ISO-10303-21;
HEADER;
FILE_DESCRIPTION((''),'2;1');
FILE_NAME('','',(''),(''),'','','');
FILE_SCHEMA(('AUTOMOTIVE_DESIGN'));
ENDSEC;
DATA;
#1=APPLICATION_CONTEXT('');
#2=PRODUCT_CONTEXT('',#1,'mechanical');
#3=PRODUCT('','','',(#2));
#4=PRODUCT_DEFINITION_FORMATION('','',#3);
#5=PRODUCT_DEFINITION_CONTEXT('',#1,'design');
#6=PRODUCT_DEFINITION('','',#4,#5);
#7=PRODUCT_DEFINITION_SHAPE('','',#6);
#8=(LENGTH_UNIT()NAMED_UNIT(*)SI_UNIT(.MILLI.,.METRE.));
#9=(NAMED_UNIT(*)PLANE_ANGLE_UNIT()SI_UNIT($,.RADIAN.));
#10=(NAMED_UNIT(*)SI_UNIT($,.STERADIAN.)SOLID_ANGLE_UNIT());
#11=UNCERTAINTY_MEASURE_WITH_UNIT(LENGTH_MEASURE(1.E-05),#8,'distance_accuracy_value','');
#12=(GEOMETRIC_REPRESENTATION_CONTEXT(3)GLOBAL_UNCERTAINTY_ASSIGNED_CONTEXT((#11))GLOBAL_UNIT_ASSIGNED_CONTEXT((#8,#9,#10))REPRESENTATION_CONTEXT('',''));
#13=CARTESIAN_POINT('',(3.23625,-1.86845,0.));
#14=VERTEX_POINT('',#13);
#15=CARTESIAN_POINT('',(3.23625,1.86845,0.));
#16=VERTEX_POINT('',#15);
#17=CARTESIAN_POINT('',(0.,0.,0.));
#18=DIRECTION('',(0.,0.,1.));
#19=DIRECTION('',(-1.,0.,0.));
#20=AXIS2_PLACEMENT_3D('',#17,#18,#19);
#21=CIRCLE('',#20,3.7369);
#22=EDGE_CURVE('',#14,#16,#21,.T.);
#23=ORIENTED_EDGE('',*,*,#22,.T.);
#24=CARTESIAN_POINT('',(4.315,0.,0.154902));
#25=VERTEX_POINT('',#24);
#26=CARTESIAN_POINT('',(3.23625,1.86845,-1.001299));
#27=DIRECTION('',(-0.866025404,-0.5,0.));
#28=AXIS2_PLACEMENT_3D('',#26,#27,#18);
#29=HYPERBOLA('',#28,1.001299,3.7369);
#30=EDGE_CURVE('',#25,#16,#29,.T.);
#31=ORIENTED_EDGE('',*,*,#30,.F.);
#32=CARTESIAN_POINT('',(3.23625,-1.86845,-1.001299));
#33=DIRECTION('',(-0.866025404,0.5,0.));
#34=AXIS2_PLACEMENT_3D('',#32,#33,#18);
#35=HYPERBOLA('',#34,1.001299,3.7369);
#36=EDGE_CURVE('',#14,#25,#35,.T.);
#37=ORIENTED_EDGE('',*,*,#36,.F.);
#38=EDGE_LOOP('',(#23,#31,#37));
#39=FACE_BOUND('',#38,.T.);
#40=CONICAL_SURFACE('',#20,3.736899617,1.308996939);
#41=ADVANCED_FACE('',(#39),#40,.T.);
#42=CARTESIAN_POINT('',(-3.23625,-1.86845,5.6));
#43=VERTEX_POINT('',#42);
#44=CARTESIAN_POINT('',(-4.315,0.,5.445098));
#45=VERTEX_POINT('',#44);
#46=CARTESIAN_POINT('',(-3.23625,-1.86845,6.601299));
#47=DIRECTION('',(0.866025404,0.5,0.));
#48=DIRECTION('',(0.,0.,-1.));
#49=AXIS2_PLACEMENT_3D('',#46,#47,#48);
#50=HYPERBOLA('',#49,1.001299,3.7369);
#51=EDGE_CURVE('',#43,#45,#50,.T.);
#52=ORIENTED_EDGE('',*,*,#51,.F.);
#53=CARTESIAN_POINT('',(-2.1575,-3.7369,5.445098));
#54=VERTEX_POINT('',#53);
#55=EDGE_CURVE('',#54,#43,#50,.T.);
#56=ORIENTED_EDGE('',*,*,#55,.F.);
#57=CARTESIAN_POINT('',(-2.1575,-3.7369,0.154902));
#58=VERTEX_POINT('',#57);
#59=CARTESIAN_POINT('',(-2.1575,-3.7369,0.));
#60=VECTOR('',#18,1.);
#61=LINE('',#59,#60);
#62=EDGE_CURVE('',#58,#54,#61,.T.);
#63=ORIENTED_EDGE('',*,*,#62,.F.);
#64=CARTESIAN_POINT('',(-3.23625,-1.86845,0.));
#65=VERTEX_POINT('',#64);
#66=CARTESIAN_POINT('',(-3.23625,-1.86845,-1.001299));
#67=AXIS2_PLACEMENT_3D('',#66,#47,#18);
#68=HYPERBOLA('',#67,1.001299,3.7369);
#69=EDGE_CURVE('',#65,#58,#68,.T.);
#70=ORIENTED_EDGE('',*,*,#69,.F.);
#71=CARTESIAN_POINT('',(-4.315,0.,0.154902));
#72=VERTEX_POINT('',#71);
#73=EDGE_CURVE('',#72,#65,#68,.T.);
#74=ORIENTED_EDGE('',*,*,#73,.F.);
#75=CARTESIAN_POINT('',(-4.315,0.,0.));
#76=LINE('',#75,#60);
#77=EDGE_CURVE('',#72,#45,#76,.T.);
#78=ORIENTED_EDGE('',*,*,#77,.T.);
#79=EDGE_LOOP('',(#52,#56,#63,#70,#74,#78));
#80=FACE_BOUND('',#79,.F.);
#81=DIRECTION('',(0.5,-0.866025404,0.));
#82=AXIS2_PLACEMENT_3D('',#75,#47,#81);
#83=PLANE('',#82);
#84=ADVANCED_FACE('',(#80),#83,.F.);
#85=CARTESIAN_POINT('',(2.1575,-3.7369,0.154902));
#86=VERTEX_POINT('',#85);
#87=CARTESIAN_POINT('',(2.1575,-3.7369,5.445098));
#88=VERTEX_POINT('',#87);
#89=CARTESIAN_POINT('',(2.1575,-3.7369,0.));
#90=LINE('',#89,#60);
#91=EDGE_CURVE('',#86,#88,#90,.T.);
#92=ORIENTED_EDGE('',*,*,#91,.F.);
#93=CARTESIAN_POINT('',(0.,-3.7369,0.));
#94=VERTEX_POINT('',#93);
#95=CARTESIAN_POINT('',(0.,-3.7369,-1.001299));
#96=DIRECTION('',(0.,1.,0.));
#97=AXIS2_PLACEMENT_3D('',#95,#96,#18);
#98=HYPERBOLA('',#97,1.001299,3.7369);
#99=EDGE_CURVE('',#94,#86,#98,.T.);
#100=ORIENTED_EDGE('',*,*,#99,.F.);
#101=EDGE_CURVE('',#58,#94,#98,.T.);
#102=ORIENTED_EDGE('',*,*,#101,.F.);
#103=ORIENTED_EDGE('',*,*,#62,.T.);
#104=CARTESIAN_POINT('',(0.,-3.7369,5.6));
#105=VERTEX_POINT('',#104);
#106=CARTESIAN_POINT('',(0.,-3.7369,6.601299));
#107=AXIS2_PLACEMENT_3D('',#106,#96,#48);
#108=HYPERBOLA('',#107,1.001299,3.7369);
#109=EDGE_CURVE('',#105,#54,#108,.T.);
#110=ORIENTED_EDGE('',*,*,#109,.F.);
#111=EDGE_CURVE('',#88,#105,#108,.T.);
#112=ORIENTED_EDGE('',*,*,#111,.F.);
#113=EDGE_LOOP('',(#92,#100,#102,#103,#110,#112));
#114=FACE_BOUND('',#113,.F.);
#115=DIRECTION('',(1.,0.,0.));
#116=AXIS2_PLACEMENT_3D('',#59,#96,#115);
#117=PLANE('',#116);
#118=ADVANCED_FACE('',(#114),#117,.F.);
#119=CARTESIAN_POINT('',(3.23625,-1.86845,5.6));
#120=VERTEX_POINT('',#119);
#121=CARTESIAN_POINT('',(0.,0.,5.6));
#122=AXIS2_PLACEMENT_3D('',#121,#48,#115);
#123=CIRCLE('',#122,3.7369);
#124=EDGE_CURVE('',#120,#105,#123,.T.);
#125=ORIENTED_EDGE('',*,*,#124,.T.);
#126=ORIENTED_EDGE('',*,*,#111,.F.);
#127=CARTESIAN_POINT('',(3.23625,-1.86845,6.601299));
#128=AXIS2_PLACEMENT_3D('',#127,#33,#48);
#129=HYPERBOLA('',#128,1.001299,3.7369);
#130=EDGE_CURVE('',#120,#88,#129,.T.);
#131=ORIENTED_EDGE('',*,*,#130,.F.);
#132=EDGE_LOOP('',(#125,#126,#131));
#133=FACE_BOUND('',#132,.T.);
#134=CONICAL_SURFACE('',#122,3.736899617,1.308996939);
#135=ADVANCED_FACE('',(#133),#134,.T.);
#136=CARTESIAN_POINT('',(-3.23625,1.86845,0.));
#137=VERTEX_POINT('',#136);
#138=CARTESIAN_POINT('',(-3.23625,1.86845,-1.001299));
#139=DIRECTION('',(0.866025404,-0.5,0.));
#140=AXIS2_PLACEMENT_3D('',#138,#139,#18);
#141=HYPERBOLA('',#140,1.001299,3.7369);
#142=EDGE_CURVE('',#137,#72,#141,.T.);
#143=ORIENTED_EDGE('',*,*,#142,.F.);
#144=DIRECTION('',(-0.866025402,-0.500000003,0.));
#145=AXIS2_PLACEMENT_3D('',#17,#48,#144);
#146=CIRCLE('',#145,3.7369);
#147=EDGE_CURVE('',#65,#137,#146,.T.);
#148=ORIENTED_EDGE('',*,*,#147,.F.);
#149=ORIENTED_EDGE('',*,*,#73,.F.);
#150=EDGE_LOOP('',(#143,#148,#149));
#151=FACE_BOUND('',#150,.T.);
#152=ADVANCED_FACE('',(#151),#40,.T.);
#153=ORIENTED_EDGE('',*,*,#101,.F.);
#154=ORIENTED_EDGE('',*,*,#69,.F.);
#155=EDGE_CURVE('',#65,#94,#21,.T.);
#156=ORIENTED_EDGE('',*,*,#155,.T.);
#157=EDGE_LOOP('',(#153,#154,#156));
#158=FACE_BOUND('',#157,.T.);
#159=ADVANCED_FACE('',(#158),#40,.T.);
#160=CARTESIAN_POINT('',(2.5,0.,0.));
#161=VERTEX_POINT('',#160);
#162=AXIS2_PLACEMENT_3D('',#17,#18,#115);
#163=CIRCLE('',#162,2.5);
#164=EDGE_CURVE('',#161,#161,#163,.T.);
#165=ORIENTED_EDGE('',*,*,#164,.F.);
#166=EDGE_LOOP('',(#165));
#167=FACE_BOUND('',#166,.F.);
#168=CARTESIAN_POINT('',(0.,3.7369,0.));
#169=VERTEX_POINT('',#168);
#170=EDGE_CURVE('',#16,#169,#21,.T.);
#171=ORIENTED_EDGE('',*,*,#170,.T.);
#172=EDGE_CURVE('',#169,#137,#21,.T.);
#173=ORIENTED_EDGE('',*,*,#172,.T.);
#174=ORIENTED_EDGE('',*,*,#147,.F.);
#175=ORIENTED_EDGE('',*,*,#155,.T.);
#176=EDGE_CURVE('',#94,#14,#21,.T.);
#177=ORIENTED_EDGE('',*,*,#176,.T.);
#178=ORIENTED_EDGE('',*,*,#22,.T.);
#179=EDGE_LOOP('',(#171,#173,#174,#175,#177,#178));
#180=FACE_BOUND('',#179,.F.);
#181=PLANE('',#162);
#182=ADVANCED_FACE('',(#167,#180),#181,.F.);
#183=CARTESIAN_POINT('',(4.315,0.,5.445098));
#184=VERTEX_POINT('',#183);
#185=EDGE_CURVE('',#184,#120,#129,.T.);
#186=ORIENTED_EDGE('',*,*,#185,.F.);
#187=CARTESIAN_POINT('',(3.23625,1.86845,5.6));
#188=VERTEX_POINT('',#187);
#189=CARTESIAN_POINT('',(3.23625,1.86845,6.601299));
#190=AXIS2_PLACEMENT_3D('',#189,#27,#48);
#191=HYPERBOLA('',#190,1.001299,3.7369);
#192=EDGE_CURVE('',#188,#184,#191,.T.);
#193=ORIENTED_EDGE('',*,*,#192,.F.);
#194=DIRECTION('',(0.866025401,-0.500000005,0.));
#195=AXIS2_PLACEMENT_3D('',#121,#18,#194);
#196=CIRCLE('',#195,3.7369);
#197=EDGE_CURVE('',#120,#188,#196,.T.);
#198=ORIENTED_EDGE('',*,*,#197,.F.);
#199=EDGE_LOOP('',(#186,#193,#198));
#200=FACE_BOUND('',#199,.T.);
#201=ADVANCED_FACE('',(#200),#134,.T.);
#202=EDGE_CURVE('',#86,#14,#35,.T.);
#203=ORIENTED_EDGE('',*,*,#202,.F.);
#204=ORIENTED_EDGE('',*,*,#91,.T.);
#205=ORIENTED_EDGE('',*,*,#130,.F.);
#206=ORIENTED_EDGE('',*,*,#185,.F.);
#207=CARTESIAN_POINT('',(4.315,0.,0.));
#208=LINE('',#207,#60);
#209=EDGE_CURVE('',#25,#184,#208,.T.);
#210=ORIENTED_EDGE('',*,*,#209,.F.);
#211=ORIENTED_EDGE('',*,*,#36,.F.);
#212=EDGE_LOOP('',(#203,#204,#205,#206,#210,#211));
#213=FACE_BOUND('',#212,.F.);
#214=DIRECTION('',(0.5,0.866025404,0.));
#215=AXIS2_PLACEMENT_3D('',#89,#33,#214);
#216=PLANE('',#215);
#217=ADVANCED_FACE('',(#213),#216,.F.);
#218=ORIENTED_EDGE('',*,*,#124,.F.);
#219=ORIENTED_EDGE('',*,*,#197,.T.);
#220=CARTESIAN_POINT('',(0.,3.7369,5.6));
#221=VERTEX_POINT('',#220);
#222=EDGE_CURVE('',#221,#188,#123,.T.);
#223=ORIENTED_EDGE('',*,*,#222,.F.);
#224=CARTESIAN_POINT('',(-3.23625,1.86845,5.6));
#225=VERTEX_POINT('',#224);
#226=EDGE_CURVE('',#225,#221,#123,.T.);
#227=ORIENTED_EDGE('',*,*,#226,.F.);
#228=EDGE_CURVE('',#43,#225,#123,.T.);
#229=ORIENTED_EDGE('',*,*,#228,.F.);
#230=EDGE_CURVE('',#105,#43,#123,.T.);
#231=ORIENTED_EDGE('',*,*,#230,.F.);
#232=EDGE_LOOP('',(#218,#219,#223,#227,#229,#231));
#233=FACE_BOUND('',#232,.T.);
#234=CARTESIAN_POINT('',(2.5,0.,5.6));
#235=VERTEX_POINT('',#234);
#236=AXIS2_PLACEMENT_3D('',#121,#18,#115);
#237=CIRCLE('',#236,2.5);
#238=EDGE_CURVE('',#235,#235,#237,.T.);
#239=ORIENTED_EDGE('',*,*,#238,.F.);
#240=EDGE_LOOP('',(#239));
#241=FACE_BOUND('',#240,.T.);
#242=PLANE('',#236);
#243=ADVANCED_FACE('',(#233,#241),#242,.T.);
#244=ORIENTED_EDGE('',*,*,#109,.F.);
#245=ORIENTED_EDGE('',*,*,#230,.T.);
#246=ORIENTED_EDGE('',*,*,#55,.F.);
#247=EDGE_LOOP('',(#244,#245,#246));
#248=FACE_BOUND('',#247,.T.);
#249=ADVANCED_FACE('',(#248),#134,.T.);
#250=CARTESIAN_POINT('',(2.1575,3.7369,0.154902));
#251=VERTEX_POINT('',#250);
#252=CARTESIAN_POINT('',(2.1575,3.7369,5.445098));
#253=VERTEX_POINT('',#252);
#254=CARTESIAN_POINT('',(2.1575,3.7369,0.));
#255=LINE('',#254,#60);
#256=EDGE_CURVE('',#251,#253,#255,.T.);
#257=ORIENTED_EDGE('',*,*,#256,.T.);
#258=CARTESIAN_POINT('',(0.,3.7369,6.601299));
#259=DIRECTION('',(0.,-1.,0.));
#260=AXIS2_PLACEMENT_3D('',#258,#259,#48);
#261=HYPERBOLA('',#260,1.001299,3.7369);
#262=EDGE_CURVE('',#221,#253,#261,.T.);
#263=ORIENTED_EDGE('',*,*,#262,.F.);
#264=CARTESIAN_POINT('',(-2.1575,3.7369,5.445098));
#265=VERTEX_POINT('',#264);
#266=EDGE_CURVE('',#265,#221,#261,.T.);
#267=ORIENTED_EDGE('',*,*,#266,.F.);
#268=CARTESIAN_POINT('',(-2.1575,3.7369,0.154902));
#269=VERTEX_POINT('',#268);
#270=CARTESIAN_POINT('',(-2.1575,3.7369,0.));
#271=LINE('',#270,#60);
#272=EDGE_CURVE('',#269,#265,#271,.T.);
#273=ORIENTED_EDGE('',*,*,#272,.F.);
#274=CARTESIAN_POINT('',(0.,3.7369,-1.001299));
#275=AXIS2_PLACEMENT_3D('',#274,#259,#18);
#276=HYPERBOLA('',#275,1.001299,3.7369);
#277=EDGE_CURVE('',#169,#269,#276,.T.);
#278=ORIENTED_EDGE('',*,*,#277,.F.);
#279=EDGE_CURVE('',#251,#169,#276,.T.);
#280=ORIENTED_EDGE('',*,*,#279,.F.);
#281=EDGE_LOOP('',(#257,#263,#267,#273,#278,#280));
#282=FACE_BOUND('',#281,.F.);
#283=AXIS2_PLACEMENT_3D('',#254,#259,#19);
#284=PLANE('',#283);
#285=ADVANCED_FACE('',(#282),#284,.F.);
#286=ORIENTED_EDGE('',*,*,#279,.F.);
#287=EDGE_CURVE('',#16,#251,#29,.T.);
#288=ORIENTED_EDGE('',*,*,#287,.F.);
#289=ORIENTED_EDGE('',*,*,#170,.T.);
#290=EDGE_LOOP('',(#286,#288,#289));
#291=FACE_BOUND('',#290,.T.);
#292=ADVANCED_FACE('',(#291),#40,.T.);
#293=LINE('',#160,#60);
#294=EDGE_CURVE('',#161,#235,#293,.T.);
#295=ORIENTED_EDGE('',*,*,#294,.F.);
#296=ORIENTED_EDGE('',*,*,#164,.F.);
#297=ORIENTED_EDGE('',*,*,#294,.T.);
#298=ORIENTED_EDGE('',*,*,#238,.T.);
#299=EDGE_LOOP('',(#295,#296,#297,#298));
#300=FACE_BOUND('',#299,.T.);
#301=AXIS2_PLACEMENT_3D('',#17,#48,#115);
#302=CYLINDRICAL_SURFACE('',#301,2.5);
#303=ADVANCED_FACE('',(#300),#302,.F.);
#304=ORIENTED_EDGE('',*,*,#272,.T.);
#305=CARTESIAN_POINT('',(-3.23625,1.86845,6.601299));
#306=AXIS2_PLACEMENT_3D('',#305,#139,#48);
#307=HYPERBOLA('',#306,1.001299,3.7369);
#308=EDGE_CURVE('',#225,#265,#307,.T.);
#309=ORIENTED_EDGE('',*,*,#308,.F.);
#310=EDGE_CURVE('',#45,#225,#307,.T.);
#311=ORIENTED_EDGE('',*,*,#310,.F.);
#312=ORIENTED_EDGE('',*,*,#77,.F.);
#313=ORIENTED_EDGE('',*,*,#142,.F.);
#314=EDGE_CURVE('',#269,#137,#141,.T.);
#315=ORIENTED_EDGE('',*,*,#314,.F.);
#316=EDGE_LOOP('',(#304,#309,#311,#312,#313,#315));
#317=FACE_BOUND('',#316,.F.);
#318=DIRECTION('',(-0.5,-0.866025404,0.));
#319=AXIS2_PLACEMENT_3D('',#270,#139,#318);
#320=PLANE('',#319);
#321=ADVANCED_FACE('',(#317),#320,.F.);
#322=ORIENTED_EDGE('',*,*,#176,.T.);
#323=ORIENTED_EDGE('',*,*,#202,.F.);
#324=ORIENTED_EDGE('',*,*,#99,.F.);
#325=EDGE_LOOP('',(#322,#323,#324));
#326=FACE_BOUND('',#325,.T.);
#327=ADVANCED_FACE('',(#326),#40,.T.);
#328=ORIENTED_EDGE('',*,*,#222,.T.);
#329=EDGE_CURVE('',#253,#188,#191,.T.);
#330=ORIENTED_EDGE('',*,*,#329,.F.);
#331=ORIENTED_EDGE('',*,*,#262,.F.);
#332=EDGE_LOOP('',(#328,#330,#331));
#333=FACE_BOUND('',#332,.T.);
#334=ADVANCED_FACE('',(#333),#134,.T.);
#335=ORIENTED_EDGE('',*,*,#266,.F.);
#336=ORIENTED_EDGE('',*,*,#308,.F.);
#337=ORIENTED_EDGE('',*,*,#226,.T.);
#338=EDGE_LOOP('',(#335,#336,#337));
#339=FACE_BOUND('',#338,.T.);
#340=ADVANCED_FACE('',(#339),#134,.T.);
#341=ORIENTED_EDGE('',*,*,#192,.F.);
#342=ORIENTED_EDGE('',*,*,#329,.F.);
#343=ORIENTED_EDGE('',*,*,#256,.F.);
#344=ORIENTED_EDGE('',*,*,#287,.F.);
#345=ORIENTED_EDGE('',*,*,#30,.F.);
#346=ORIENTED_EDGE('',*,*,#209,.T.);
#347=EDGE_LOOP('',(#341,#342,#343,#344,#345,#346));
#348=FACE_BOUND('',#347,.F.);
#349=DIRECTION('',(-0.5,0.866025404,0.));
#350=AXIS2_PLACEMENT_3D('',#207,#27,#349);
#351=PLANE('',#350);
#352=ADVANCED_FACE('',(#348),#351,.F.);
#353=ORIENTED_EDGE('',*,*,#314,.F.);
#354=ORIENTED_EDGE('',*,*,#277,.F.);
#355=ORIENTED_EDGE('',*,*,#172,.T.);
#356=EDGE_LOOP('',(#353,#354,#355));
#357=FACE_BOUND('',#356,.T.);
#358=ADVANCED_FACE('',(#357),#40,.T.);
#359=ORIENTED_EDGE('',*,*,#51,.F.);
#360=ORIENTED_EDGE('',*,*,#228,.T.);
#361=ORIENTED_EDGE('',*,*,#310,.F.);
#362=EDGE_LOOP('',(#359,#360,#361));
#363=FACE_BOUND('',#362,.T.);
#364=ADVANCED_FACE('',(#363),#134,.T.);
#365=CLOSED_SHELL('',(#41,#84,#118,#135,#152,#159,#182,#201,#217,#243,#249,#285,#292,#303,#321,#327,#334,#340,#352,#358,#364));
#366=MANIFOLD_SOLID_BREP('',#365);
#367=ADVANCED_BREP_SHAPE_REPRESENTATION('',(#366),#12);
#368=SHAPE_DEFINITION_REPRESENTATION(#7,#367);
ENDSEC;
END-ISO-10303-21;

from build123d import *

# Parameters (mm, degrees)
SKETCH_1_R          = 2.5
EXTRUDE_587_DEPTH   = 5.6
SKETCH_2_OUTSIDE_W  = 296.81
SKETCH_2_OUTSIDE_H  = 295.654
SKETCH_2_OUTSIDE_R  = 3.736899617
CUT_EXTRUDE_1_DEPTH = 38
CUT_EXTRUDE_1_TAPER = 75
SKETCH_3_OUTSIDE_W  = 296.81
SKETCH_3_OUTSIDE_H  = 295.654
SKETCH_3_OUTSIDE_R  = 3.736899617
CUT_EXTRUDE_2_DEPTH = 38
CUT_EXTRUDE_2_TAPER = 75


with BuildPart() as part:
    # 草图1 → Extrude 587 (new body)
    with BuildSketch(Plane.XY):
        Polygon((2.1575, 3.736899617), (-2.1575, 3.736899617), (-4.315, 0), (-2.1575, -3.736899617), (2.1575, -3.736899617), (4.315, 0), align=None)
        Circle(SKETCH_1_R, mode=Mode.SUBTRACT)
    extrude(amount=EXTRUDE_587_DEPTH)

    # 草图2 outside → 切除-拉伸1 (cut)
    with BuildSketch(Plane(origin=(0, 0, 0), x_dir=(-1, 0, 0), z_dir=(0, 0, -1))):
        Rectangle(SKETCH_2_OUTSIDE_W, SKETCH_2_OUTSIDE_H)
        Circle(SKETCH_2_OUTSIDE_R, mode=Mode.SUBTRACT)
    extrude(amount=-CUT_EXTRUDE_1_DEPTH, taper=CUT_EXTRUDE_1_TAPER, mode=Mode.SUBTRACT)

    # 草图3 outside → 切除-拉伸2 (cut)
    with BuildSketch(Plane.XY.offset(5.6)):
        Rectangle(SKETCH_3_OUTSIDE_W, SKETCH_3_OUTSIDE_H)
        Circle(SKETCH_3_OUTSIDE_R, mode=Mode.SUBTRACT)
    extrude(amount=-CUT_EXTRUDE_2_DEPTH, taper=CUT_EXTRUDE_2_TAPER, mode=Mode.SUBTRACT)


solid = part.part
